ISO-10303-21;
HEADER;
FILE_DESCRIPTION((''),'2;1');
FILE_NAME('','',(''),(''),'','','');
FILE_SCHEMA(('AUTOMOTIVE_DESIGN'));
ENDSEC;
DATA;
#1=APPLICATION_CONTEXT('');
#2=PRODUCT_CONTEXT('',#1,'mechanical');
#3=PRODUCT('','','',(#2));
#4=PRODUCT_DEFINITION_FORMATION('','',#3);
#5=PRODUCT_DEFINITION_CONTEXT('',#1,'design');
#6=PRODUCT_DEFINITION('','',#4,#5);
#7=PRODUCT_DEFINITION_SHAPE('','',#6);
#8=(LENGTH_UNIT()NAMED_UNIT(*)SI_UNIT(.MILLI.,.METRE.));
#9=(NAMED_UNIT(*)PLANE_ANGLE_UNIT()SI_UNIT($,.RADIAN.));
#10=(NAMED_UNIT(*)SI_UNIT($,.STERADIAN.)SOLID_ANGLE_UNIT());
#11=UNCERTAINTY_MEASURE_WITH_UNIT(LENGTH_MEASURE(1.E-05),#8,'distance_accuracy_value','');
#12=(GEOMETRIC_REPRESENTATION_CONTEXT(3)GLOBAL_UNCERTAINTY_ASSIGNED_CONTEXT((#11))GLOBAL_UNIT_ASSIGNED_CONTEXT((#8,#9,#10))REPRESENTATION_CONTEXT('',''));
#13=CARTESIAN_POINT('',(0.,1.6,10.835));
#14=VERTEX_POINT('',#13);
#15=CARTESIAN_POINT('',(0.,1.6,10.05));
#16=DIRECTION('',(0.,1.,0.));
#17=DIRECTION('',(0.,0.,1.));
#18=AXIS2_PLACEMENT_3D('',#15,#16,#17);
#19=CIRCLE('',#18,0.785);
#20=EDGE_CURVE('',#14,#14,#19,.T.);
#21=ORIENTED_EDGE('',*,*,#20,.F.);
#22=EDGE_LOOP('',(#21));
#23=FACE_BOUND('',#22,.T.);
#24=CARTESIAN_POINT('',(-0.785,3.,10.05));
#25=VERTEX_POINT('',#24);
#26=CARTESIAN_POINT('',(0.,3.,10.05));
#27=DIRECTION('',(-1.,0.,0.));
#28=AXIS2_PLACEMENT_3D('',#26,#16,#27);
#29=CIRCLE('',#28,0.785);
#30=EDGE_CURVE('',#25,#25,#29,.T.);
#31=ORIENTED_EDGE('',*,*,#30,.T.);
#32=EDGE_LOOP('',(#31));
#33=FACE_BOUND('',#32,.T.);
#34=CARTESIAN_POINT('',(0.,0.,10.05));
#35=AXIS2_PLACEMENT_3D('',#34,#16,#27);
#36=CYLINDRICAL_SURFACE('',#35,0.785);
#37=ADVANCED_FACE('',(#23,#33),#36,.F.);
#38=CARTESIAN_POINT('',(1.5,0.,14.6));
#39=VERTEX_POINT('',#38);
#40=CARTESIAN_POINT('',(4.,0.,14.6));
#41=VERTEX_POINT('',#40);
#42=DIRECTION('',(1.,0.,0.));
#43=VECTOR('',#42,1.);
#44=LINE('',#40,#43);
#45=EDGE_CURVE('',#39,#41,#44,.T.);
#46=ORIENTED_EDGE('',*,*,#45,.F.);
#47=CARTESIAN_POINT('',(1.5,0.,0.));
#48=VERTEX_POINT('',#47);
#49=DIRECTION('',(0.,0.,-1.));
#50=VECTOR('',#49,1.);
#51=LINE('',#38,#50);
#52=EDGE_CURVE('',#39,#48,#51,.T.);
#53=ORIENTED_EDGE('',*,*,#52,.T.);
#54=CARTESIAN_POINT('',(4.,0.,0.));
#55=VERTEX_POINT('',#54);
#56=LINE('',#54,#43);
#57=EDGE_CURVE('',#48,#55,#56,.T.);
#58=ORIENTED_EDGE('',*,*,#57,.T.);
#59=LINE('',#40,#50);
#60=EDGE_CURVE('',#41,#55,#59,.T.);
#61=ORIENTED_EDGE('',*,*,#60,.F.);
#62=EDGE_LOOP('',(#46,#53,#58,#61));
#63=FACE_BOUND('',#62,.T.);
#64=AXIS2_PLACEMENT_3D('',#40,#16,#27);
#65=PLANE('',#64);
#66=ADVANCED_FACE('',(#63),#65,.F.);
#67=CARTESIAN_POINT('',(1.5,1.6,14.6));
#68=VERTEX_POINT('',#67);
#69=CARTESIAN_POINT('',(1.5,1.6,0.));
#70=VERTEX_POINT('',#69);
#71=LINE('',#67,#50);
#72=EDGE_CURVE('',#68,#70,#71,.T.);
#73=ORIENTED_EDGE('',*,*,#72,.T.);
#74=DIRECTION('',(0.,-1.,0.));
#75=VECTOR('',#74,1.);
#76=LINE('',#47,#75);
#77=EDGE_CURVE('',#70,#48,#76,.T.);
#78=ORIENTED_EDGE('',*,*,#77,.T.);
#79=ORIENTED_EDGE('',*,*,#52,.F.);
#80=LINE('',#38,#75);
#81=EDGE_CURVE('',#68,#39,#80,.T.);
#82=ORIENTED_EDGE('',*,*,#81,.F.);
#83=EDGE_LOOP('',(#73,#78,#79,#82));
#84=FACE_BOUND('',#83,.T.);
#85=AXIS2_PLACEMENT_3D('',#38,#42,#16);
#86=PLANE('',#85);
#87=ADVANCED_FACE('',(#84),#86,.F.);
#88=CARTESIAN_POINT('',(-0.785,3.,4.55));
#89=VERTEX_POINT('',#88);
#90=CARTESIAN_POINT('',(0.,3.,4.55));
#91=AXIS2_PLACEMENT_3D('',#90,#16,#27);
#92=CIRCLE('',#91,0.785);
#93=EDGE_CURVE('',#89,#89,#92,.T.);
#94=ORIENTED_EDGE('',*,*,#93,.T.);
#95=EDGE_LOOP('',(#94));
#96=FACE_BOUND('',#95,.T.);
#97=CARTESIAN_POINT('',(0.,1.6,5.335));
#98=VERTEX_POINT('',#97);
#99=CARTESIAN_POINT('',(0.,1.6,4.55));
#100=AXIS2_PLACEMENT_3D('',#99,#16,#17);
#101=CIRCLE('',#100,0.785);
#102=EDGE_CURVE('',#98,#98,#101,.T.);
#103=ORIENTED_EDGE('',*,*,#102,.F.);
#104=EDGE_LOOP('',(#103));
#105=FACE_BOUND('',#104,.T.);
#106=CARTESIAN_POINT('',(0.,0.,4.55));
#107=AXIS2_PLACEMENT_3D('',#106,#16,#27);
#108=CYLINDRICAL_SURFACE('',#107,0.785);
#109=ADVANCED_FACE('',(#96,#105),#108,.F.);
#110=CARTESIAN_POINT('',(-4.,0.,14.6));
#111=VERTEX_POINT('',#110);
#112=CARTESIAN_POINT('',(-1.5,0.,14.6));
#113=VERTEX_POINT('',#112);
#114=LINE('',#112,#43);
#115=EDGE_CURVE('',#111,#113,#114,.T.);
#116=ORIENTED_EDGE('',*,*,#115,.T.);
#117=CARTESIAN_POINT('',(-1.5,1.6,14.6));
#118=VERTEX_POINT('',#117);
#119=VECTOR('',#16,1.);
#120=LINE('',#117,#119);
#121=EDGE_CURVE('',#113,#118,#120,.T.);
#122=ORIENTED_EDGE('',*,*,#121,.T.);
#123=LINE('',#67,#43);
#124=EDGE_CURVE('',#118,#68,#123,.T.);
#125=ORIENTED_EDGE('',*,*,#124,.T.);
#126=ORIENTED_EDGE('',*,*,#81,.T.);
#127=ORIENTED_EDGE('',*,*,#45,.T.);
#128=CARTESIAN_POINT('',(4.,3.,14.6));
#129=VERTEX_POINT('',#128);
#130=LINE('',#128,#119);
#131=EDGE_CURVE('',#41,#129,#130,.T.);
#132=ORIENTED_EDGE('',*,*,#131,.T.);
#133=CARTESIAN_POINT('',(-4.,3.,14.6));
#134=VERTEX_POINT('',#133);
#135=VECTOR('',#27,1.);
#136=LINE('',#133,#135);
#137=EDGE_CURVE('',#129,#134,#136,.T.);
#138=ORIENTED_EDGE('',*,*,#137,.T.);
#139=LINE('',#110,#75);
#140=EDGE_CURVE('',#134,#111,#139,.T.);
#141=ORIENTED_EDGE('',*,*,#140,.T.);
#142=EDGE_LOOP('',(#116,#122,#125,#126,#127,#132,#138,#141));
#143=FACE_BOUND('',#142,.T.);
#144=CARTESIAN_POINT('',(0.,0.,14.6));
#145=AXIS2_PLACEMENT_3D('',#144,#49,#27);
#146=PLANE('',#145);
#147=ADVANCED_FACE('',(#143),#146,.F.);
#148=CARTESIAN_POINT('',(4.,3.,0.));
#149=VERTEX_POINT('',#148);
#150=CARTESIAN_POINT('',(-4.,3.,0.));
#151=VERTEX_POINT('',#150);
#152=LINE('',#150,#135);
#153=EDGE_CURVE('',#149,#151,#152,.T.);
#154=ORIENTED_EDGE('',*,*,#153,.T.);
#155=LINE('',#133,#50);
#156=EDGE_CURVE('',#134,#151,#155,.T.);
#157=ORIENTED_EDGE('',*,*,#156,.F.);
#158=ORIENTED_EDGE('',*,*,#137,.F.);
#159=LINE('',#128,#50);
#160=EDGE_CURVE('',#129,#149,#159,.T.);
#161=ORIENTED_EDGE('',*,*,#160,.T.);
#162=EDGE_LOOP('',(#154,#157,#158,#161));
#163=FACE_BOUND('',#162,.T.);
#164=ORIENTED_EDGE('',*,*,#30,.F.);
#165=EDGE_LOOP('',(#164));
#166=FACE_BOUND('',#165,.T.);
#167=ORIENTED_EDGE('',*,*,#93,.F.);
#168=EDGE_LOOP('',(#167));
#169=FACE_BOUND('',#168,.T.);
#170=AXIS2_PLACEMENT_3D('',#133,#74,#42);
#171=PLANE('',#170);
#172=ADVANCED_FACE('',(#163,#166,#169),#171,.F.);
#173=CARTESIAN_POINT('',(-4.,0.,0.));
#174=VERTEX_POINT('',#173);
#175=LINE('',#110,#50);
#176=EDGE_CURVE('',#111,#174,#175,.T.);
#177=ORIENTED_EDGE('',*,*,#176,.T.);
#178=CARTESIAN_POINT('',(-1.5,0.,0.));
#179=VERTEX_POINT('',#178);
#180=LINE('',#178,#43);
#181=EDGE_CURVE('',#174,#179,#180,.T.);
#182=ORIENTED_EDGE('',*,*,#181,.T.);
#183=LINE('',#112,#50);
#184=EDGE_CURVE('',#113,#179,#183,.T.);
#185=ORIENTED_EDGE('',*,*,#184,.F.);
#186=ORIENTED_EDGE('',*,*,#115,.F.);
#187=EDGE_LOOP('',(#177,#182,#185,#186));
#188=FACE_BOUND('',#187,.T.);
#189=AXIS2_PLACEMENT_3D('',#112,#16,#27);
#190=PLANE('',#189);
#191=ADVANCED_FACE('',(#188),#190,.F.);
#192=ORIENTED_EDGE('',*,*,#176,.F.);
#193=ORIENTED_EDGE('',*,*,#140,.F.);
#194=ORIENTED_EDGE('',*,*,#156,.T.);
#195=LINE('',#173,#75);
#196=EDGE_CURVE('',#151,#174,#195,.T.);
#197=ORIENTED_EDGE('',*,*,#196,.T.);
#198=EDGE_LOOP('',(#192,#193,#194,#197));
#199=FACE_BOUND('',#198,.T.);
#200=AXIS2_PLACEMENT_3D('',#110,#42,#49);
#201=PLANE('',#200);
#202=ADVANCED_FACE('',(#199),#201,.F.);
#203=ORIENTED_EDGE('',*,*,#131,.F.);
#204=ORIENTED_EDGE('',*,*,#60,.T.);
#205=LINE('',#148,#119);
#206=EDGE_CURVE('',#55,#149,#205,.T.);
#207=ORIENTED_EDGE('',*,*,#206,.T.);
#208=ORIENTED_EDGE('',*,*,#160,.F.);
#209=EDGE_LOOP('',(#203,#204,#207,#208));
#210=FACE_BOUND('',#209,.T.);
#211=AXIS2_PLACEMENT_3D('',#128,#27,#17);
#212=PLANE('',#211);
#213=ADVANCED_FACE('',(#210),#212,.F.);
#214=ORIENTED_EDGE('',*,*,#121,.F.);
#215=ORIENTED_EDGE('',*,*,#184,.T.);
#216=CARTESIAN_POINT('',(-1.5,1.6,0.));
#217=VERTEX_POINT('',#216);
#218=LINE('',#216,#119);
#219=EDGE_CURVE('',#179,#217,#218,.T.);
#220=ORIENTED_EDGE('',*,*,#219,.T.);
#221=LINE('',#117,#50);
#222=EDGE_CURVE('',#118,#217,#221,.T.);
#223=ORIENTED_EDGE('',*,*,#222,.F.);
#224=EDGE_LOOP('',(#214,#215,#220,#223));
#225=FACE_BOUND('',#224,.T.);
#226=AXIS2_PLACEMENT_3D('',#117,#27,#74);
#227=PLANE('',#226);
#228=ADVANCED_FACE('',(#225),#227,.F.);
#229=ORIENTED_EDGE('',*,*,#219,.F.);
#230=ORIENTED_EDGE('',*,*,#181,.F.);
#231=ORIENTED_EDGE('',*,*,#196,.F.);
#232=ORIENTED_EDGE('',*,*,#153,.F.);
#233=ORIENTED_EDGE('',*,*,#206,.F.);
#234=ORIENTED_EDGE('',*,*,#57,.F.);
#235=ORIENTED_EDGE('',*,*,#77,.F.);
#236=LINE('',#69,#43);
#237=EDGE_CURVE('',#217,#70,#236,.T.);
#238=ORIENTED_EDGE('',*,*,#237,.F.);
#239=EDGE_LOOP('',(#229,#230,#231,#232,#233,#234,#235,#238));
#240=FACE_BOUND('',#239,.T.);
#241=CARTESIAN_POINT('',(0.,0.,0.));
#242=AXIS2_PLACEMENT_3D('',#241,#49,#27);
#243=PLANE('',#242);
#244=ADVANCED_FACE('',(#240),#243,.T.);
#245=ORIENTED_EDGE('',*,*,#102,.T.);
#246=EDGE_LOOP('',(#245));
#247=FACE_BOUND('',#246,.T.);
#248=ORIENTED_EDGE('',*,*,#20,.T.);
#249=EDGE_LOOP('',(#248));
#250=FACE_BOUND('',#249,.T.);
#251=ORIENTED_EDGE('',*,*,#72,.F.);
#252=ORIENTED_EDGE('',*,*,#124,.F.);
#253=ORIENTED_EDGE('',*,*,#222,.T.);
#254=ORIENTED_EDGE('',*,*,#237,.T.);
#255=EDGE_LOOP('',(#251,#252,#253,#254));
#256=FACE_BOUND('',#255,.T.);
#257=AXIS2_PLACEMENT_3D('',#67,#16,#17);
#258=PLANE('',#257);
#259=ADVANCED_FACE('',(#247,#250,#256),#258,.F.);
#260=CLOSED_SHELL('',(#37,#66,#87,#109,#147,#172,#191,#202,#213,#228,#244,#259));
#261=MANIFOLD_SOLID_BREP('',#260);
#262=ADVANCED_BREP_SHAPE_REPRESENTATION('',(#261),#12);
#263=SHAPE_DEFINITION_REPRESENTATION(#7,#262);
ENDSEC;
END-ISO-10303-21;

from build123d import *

# Parameters (mm, degrees)
BOSS_EXTRUDE1_DEPTH = 14.6
SKETCH2_R           = 0.785
CUT_EXTRUDE1_DEPTH  = 4


with BuildPart() as part:
    # Sketch1 → Boss-Extrude1 (new body)
    with BuildSketch(Plane.XY):
        Polygon((-1.5, 0), (-4, 0), (-4, 3), (4, 3), (4, 0), (1.5, 0), (1.5, 1.6), (-1.5, 1.6), align=None)
    extrude(amount=BOSS_EXTRUDE1_DEPTH)

    # Sketch2 → Cut-Extrude1 (cut, through all)
    with BuildSketch(Plane(origin=(0, 3, 0), x_dir=(1, 0, 0), z_dir=(0, 1, 0))):
        with Locations((0, -10.05)):
            Circle(SKETCH2_R)
        with Locations((0, -4.55)):
            Circle(SKETCH2_R)
    extrude(amount=-CUT_EXTRUDE1_DEPTH, mode=Mode.SUBTRACT)


solid = part.part
